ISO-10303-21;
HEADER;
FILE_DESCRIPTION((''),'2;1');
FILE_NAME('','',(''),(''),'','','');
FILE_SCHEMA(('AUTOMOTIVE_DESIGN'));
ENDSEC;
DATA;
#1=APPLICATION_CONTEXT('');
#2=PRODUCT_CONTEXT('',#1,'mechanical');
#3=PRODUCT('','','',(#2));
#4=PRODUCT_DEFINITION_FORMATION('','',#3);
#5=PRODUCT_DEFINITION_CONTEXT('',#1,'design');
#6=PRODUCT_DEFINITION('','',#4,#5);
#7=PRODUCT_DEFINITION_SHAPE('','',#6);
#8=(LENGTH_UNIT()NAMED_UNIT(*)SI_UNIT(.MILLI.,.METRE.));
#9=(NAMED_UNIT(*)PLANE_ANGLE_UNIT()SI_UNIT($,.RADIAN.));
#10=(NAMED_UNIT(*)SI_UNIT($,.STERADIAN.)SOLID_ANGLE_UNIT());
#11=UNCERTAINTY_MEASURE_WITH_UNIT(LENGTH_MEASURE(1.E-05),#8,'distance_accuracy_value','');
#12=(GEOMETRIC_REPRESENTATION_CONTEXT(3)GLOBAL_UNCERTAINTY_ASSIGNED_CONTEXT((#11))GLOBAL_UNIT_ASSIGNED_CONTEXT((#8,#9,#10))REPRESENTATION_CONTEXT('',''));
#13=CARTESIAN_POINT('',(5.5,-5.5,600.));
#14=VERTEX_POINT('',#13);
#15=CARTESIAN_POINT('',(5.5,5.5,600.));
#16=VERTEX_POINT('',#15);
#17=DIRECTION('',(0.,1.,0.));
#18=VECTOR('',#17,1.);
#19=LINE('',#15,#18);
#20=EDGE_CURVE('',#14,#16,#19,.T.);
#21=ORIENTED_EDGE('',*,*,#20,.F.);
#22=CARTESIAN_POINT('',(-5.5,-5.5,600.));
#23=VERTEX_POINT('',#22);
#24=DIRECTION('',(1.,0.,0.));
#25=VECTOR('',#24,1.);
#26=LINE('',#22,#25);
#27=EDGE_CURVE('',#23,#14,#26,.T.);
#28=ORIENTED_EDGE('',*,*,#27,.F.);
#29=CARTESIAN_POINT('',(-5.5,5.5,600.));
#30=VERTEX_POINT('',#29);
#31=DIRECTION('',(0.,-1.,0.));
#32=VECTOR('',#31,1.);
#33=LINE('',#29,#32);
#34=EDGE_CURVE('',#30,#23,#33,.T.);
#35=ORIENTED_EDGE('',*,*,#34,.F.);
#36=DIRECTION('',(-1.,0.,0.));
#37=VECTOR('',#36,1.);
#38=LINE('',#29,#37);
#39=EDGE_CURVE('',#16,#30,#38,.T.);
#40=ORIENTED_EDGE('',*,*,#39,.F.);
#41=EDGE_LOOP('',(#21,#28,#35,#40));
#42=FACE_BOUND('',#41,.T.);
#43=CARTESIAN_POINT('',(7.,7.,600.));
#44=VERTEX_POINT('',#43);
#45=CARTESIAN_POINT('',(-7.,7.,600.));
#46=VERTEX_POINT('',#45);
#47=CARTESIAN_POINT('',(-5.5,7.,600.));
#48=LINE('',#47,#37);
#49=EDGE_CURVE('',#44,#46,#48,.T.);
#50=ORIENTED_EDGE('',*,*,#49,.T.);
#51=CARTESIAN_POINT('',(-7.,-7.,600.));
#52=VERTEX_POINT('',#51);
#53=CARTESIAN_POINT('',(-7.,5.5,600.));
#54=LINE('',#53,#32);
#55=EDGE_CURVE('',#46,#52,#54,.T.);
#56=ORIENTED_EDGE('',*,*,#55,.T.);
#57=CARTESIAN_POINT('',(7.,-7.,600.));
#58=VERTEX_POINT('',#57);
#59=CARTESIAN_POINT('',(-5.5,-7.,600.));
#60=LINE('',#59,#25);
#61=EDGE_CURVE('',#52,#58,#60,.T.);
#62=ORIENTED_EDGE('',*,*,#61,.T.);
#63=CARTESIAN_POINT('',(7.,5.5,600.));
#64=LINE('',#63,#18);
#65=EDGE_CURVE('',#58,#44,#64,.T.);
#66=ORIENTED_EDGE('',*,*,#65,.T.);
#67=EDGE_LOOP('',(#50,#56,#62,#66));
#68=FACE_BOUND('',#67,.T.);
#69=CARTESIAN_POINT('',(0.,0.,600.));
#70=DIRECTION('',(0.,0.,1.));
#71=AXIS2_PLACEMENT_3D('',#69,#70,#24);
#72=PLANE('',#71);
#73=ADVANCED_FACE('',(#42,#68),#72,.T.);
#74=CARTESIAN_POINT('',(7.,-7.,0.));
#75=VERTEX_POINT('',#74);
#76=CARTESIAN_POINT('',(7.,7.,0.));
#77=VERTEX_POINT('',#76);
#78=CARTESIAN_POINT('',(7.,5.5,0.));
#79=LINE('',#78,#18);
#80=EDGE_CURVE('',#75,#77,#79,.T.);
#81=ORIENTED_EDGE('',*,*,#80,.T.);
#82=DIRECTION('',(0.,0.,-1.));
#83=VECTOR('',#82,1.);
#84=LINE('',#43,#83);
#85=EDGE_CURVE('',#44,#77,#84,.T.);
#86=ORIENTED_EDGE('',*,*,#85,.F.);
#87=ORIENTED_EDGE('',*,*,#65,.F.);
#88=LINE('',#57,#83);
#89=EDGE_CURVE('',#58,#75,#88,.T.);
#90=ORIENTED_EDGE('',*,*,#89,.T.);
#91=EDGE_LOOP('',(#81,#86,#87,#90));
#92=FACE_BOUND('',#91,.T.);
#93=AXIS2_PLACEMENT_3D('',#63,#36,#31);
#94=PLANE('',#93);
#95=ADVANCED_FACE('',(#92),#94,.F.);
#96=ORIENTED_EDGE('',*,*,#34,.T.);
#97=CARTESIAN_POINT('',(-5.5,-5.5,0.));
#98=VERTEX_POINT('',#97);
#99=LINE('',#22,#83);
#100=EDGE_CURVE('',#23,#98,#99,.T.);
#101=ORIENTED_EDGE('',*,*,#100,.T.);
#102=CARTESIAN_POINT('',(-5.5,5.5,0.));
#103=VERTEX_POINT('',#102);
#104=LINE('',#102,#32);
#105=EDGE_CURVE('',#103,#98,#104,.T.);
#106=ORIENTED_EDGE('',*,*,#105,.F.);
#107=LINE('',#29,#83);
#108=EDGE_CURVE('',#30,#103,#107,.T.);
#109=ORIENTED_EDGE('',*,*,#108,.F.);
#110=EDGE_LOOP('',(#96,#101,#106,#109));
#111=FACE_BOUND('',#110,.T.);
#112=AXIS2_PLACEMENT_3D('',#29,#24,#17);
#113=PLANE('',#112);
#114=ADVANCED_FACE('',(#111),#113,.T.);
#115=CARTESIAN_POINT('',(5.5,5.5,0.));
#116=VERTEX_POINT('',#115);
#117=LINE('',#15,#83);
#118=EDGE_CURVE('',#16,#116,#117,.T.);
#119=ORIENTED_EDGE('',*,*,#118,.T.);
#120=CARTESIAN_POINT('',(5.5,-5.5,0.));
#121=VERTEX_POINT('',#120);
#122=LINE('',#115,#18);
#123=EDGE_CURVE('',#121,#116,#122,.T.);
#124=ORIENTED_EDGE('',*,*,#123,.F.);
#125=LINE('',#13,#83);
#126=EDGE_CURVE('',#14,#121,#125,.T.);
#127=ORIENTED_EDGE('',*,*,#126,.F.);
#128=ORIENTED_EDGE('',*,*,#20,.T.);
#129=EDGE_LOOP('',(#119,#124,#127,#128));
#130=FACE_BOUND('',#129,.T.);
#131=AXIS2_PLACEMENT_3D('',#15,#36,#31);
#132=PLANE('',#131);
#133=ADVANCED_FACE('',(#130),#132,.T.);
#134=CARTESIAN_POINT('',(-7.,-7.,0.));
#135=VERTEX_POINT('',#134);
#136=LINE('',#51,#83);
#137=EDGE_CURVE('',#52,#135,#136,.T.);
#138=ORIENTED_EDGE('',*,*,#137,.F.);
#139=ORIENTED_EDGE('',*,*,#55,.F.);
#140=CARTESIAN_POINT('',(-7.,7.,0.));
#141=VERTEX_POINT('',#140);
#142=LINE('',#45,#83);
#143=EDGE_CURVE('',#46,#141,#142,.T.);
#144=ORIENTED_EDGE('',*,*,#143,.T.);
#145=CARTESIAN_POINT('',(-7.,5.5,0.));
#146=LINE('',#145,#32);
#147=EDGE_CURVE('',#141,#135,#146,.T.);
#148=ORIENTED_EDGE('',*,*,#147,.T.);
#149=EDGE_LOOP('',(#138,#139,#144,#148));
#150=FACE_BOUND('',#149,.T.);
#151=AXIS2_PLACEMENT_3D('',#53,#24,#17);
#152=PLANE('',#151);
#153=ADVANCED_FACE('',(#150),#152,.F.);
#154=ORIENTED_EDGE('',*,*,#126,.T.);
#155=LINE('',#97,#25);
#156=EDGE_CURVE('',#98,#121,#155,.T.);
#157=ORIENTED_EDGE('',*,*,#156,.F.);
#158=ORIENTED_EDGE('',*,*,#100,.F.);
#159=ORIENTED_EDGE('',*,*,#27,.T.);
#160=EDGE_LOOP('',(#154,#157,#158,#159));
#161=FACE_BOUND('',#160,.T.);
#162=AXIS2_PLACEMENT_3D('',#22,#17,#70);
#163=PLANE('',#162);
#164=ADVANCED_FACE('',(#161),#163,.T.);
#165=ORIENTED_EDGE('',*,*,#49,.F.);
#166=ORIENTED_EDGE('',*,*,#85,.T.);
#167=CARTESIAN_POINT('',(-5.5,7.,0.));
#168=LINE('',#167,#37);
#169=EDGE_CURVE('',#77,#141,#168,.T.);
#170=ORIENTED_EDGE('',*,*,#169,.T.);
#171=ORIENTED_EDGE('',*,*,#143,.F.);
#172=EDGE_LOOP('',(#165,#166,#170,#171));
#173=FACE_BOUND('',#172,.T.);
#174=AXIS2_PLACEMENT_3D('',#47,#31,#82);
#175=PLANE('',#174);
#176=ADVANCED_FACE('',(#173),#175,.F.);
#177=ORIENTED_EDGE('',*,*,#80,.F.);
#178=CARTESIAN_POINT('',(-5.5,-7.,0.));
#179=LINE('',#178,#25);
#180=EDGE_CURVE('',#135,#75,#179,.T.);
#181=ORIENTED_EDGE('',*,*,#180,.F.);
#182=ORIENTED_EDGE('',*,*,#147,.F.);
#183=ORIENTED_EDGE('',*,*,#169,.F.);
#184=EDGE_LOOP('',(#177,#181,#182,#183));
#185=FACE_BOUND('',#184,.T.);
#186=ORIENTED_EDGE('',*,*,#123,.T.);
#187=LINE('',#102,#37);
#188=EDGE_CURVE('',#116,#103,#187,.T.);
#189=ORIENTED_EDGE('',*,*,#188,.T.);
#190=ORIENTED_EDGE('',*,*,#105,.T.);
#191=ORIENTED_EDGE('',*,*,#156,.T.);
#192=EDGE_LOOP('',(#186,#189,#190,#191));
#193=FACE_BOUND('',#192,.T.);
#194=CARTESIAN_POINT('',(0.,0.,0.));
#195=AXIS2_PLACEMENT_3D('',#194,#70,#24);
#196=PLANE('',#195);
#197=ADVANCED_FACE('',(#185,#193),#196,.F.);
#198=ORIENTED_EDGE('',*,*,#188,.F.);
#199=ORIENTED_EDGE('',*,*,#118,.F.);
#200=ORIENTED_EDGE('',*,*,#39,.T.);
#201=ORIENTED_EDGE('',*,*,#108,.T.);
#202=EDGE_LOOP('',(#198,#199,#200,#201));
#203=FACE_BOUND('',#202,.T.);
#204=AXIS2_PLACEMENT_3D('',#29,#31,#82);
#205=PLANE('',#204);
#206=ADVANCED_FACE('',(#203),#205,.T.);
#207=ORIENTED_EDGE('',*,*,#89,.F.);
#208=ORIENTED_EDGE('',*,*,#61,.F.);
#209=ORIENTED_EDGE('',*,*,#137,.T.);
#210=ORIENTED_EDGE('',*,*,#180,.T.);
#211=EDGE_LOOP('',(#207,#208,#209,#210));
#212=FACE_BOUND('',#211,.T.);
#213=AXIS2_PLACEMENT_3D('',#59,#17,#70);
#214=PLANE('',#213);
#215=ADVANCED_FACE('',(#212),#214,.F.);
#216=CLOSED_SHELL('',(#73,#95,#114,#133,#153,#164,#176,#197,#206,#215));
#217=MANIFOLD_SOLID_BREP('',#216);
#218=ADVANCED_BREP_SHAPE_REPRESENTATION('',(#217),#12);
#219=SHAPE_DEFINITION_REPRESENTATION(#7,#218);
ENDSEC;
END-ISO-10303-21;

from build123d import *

# Parameters (mm, degrees)
SKETCH_1_W      = 14
SKETCH_1_H      = 14
SKETCH_1_W_2    = 11
SKETCH_1_H_2    = 11
EXTRUDE_1_DEPTH = 600


with BuildPart() as part:
    # 草图1 → 拉伸-薄壁1 (new body)
    with BuildSketch(Plane.XY):
        Rectangle(SKETCH_1_W, SKETCH_1_H)
        Rectangle(SKETCH_1_W_2, SKETCH_1_H_2, mode=Mode.SUBTRACT)
    extrude(amount=EXTRUDE_1_DEPTH)


solid = part.part
